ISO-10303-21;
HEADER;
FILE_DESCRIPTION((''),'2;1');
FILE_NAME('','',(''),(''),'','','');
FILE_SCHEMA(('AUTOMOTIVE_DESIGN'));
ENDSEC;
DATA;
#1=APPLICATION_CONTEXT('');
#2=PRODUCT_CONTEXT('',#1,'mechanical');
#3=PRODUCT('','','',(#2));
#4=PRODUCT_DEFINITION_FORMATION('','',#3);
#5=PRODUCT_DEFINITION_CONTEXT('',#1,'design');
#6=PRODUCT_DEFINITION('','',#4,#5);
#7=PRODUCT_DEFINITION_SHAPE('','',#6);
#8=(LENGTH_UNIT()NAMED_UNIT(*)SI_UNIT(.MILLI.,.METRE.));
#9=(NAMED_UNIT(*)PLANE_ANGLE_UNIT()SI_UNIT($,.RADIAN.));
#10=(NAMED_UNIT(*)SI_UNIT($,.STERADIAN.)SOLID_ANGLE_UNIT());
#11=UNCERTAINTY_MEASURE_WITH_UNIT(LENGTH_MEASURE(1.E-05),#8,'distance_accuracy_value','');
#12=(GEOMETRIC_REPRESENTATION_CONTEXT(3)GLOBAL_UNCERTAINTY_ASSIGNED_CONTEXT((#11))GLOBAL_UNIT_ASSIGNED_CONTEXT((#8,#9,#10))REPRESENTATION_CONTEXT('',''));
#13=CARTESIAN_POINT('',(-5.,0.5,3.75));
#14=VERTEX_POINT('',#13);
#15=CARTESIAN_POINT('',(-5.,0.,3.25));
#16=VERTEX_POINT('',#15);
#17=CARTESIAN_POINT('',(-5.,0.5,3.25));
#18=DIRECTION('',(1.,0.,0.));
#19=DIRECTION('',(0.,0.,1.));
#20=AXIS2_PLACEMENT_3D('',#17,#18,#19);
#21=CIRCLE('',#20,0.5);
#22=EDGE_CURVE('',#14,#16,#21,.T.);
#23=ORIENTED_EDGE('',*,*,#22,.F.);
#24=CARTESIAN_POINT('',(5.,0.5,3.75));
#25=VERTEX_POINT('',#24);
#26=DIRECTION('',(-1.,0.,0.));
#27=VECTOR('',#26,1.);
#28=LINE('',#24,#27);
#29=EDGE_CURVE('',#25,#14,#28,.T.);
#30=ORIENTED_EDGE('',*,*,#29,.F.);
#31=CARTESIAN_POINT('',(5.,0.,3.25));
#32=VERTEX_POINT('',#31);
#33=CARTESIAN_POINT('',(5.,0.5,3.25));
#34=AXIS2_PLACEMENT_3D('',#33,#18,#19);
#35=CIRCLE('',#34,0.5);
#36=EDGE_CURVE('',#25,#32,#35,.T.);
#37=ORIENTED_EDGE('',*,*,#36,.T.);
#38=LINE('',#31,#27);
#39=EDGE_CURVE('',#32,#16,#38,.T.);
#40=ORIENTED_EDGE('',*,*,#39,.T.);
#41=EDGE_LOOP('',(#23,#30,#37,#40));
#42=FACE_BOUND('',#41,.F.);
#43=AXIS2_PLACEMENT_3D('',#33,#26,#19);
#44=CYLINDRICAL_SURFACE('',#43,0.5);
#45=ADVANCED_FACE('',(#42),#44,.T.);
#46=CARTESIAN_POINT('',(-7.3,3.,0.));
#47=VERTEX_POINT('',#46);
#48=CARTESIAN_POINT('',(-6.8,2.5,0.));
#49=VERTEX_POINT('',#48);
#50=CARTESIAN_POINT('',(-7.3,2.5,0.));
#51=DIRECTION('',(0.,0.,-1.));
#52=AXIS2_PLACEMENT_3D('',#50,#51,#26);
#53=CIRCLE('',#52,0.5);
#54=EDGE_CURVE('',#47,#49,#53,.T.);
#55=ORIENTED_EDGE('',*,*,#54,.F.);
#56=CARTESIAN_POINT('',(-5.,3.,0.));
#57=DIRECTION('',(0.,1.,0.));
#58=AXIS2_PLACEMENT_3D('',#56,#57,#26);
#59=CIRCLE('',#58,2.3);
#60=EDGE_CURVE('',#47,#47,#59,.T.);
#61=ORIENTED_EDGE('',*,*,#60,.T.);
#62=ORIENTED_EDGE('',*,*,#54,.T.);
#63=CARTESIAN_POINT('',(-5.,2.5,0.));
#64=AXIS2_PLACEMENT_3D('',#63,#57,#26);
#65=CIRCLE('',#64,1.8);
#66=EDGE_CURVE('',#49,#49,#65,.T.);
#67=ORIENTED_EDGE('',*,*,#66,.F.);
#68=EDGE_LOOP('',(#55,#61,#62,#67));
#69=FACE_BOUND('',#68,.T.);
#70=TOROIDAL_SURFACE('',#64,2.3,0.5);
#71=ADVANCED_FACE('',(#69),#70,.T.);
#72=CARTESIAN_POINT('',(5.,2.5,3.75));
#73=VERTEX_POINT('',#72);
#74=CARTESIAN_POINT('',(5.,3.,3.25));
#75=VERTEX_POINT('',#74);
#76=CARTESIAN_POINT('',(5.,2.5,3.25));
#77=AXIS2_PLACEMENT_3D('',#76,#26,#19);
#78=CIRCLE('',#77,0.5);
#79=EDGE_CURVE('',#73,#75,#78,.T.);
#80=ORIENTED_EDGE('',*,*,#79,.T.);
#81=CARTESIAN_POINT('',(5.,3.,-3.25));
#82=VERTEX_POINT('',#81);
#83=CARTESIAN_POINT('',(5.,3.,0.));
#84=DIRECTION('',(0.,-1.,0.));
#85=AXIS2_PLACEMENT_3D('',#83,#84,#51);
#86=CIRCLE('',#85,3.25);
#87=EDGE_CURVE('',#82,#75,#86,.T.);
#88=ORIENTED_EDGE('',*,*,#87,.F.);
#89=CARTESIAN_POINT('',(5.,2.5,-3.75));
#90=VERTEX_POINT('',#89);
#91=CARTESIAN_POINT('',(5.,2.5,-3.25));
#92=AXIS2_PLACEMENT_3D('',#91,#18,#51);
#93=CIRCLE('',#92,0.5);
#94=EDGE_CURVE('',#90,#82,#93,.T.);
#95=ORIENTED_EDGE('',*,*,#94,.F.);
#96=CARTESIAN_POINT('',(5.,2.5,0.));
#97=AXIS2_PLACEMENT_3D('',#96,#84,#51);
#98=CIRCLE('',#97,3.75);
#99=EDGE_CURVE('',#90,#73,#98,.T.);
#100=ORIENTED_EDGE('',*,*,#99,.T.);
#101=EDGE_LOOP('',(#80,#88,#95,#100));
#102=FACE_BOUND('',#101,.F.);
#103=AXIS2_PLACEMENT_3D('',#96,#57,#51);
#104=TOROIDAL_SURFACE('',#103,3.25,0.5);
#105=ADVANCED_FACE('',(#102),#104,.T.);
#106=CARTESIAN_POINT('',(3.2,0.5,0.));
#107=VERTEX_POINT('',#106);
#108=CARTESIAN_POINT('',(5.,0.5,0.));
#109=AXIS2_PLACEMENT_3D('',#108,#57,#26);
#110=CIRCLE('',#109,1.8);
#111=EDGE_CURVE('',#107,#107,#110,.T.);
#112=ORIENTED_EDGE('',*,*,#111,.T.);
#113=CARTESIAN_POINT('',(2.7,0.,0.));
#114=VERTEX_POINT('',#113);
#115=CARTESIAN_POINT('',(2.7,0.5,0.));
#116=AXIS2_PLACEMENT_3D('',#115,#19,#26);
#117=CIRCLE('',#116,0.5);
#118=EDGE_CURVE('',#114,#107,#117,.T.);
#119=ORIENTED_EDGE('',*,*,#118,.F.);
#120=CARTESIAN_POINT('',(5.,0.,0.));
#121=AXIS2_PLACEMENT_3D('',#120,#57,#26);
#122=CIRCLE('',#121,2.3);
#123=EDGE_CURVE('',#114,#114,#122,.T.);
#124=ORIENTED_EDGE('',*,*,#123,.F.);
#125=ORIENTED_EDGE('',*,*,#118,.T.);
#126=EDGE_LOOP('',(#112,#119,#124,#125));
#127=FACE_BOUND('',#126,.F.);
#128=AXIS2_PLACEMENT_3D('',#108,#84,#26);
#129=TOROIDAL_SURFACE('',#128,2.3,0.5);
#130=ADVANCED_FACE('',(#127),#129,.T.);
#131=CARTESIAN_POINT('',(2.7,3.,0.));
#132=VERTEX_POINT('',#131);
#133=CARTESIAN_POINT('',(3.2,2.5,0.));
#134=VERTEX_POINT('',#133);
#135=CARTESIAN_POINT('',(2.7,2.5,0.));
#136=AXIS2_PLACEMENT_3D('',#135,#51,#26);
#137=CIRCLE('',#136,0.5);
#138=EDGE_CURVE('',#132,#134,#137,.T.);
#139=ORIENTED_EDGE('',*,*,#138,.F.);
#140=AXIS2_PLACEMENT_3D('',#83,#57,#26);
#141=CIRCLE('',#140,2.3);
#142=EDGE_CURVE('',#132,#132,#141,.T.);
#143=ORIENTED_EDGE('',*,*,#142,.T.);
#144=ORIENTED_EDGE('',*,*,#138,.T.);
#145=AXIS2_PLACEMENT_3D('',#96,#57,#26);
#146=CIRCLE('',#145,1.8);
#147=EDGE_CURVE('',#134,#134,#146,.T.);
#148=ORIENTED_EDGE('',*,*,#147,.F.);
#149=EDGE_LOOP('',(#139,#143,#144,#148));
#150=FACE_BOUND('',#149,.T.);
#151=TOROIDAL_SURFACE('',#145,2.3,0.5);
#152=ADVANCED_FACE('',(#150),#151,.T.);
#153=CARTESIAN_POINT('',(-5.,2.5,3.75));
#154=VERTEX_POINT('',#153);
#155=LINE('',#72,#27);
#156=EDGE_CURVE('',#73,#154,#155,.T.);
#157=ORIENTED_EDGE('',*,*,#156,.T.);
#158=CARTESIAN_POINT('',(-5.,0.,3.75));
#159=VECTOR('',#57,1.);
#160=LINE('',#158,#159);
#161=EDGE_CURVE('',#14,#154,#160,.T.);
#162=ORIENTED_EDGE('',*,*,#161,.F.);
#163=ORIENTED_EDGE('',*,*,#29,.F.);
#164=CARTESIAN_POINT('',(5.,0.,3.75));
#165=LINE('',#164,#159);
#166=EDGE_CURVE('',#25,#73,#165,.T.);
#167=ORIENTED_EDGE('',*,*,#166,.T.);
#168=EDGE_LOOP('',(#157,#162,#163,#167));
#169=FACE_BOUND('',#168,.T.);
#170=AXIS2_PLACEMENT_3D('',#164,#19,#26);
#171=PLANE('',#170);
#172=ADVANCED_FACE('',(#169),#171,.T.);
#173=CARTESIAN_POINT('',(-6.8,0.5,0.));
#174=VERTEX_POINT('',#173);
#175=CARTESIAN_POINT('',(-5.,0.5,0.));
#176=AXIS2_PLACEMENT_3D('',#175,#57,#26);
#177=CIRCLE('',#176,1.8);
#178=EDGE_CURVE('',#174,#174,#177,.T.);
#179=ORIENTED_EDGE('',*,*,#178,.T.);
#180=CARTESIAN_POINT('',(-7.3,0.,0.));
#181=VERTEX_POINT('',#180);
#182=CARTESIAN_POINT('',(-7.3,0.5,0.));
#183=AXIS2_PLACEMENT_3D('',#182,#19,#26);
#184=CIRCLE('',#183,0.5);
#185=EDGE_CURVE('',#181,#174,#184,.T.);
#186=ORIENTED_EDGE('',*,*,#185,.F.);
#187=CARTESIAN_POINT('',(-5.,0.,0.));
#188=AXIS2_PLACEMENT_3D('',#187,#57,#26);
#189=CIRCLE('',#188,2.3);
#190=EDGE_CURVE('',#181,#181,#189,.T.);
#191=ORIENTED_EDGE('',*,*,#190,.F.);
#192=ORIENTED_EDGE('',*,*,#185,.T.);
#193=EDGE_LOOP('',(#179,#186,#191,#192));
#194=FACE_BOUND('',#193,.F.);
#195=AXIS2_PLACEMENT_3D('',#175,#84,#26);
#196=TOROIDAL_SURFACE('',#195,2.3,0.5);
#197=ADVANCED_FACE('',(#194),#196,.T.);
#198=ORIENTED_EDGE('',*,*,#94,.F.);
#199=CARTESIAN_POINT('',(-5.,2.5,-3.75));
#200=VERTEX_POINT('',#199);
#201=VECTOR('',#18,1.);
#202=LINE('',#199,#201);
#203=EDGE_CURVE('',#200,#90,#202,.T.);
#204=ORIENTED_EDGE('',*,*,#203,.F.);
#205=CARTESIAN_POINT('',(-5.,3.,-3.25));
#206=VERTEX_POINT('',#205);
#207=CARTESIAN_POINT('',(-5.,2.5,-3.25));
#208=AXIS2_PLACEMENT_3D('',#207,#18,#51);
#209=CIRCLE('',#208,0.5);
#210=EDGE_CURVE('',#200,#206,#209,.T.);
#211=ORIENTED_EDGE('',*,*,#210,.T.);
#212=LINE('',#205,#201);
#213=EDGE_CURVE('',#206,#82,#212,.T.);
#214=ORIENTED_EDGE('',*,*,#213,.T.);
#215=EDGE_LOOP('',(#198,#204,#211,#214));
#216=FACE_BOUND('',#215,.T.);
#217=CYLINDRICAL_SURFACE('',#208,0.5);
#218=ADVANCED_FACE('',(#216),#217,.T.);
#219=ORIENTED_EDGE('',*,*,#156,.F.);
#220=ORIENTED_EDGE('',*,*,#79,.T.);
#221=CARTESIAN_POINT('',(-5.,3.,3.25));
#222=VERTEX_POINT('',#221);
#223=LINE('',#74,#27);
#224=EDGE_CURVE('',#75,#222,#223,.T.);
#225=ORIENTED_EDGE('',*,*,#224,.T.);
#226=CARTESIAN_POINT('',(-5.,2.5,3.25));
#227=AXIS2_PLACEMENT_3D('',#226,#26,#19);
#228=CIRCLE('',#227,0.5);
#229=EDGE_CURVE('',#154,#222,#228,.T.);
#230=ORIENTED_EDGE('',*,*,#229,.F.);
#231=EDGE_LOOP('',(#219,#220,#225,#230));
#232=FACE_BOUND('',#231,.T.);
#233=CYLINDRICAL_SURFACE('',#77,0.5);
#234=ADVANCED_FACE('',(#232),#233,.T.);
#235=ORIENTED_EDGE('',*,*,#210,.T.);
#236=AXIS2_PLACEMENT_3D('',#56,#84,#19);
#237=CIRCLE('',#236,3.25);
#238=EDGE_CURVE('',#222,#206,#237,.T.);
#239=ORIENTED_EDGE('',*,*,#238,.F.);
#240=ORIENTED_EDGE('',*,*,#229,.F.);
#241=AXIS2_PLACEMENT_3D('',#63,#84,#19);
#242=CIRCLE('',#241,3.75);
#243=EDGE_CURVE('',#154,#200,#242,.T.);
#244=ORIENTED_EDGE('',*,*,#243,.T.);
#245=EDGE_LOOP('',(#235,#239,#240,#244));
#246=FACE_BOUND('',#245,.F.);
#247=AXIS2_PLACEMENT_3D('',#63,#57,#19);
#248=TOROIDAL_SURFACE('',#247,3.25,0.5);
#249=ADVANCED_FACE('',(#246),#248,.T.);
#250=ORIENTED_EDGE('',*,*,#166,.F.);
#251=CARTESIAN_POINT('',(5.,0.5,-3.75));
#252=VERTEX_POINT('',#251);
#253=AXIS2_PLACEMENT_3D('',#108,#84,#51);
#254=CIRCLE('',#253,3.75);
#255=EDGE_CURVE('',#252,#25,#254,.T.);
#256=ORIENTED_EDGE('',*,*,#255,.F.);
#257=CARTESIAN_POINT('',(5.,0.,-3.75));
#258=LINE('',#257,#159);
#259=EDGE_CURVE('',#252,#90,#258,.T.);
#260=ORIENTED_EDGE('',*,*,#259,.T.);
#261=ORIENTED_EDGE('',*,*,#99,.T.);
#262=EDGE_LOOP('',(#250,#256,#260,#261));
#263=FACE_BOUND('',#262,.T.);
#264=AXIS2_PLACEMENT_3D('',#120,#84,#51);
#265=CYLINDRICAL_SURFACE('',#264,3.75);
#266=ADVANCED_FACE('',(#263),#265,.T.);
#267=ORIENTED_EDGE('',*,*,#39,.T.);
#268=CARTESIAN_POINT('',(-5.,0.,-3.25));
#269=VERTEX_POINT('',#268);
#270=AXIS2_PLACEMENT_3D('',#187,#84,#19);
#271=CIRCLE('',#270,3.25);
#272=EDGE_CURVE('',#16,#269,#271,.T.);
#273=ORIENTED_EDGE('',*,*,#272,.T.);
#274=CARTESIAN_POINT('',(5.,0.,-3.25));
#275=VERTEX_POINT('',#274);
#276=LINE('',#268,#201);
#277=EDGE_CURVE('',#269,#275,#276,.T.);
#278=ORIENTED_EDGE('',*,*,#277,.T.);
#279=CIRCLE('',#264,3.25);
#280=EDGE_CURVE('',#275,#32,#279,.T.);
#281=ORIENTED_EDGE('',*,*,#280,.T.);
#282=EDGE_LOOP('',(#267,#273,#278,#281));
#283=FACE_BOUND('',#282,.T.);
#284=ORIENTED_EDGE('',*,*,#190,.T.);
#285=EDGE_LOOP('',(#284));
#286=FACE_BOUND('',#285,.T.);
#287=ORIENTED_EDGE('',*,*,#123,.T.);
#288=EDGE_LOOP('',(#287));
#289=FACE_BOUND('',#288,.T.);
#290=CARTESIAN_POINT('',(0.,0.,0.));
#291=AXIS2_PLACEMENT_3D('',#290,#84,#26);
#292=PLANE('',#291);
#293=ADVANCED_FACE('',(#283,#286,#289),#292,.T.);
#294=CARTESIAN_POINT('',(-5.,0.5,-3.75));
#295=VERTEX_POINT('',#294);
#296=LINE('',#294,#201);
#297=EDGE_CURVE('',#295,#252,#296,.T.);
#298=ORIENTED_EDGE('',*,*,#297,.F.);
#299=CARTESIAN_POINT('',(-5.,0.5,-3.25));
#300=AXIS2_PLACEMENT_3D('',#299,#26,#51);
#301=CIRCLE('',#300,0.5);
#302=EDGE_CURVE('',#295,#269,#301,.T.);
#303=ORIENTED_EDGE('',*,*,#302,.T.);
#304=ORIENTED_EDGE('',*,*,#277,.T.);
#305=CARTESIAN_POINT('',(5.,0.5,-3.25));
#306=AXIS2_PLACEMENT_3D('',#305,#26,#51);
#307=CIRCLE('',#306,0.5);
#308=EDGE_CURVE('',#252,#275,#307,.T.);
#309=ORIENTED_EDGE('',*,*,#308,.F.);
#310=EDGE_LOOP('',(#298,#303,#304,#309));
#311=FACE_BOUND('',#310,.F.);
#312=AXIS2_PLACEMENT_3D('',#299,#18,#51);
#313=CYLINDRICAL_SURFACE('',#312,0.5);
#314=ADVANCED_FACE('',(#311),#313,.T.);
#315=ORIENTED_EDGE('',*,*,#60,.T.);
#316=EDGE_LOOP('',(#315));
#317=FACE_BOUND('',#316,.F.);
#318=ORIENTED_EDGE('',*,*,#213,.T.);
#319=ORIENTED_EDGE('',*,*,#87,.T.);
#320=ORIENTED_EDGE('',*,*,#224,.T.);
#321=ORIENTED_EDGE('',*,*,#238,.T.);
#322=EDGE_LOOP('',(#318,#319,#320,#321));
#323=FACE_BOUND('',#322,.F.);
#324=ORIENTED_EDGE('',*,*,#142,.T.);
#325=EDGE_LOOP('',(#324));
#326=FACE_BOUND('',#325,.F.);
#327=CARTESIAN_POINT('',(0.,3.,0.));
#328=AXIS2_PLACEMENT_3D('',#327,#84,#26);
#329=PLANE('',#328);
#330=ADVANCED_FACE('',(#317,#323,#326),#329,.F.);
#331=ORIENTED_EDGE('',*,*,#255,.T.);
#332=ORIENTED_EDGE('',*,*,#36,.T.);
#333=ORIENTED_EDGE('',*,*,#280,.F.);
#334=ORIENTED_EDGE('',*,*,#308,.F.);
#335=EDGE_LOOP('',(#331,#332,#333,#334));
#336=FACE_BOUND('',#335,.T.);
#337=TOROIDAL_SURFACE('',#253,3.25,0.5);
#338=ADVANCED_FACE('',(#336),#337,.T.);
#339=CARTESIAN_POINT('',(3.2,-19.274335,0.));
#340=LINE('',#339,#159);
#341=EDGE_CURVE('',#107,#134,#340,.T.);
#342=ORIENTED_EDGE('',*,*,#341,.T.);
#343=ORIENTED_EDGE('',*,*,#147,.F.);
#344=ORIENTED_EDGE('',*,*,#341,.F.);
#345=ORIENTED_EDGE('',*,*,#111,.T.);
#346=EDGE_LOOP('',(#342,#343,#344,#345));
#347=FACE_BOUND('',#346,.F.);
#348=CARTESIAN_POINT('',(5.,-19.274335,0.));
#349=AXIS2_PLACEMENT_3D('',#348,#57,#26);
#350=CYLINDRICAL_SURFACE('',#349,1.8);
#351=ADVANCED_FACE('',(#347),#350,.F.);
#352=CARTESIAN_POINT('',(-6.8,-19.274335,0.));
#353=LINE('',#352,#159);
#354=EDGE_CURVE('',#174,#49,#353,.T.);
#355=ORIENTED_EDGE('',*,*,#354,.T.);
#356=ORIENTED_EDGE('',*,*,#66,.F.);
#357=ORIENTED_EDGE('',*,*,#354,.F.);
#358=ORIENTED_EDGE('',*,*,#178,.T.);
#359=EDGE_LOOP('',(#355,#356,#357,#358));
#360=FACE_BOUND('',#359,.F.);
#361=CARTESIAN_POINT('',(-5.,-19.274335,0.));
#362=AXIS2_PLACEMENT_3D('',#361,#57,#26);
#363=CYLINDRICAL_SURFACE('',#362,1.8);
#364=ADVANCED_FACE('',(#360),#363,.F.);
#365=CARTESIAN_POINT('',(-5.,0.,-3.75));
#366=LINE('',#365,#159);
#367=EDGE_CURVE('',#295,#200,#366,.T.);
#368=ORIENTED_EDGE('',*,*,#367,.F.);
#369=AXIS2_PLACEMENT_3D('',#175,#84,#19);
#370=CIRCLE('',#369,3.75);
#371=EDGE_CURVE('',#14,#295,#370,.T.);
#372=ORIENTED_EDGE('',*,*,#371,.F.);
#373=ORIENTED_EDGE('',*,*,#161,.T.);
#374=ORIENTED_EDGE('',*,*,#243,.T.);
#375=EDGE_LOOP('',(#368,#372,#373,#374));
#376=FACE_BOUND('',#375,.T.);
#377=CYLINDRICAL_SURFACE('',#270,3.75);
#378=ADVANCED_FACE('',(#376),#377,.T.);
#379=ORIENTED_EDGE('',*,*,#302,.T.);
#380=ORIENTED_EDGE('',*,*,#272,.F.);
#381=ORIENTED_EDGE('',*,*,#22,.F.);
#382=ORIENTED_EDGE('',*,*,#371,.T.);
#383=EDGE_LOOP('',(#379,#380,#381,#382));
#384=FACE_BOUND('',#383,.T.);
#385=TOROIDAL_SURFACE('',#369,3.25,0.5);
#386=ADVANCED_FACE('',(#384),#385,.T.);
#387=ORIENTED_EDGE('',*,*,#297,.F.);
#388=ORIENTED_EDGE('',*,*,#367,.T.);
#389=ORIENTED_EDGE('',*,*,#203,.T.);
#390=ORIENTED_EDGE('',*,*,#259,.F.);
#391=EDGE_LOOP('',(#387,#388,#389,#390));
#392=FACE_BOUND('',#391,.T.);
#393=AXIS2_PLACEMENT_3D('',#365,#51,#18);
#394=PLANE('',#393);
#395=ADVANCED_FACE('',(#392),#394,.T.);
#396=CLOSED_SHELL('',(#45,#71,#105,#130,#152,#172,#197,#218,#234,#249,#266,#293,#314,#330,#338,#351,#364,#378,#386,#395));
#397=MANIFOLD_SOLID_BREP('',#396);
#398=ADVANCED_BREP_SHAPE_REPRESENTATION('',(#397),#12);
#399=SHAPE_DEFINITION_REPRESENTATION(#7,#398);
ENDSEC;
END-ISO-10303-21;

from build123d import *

# Parameters (mm, degrees)
BOSS_EXTRUDE1_DEPTH  = 3
M3_CLEARANCE_HOLE1_D = 3.6
FILLET1_R            = 0.5


with BuildPart() as part:
    # Sketch1 → Boss-Extrude1 (new body)
    with BuildSketch(Plane(origin=(0, 0, 0), x_dir=(1, 0, 0), z_dir=(0, 1, 0))):
        with BuildLine():
            Line((-5, 3.75), (5, 3.75))
            ThreePointArc((5, 3.75), (8.75, 0), (5, -3.75))
            Line((5, -3.75), (-5, -3.75))
            ThreePointArc((-5, -3.75), (-8.75, 0), (-5, 3.75))
        make_face()
    extrude(amount=BOSS_EXTRUDE1_DEPTH)

    # M3 Clearance Hole1 (through all)
    with Locations(Plane.XZ):
        with Locations((-5, 0), (5, 0)):
            Hole(M3_CLEARANCE_HOLE1_D / 2)

    # Fillet1
    fillet1_edges = [part.edges().sort_by_distance(p)[0] for p in [
        (8.75, 3, 0),
        (6.8, 0, 0),
        (6.8, 3, 0),
        (0, 3, -3.75),
        (-3.2, 0, 0),
        (-3.2, 3, 0),
        (-8.75, 3, 0),
        (0, 0, -3.75),
        (8.75, 0, 0),
        (0, 0, 3.75),
        (-8.75, 0, 0),
        (0, 3, 3.75),
    ]]
    fillet(fillet1_edges, radius=FILLET1_R)


solid = part.part
